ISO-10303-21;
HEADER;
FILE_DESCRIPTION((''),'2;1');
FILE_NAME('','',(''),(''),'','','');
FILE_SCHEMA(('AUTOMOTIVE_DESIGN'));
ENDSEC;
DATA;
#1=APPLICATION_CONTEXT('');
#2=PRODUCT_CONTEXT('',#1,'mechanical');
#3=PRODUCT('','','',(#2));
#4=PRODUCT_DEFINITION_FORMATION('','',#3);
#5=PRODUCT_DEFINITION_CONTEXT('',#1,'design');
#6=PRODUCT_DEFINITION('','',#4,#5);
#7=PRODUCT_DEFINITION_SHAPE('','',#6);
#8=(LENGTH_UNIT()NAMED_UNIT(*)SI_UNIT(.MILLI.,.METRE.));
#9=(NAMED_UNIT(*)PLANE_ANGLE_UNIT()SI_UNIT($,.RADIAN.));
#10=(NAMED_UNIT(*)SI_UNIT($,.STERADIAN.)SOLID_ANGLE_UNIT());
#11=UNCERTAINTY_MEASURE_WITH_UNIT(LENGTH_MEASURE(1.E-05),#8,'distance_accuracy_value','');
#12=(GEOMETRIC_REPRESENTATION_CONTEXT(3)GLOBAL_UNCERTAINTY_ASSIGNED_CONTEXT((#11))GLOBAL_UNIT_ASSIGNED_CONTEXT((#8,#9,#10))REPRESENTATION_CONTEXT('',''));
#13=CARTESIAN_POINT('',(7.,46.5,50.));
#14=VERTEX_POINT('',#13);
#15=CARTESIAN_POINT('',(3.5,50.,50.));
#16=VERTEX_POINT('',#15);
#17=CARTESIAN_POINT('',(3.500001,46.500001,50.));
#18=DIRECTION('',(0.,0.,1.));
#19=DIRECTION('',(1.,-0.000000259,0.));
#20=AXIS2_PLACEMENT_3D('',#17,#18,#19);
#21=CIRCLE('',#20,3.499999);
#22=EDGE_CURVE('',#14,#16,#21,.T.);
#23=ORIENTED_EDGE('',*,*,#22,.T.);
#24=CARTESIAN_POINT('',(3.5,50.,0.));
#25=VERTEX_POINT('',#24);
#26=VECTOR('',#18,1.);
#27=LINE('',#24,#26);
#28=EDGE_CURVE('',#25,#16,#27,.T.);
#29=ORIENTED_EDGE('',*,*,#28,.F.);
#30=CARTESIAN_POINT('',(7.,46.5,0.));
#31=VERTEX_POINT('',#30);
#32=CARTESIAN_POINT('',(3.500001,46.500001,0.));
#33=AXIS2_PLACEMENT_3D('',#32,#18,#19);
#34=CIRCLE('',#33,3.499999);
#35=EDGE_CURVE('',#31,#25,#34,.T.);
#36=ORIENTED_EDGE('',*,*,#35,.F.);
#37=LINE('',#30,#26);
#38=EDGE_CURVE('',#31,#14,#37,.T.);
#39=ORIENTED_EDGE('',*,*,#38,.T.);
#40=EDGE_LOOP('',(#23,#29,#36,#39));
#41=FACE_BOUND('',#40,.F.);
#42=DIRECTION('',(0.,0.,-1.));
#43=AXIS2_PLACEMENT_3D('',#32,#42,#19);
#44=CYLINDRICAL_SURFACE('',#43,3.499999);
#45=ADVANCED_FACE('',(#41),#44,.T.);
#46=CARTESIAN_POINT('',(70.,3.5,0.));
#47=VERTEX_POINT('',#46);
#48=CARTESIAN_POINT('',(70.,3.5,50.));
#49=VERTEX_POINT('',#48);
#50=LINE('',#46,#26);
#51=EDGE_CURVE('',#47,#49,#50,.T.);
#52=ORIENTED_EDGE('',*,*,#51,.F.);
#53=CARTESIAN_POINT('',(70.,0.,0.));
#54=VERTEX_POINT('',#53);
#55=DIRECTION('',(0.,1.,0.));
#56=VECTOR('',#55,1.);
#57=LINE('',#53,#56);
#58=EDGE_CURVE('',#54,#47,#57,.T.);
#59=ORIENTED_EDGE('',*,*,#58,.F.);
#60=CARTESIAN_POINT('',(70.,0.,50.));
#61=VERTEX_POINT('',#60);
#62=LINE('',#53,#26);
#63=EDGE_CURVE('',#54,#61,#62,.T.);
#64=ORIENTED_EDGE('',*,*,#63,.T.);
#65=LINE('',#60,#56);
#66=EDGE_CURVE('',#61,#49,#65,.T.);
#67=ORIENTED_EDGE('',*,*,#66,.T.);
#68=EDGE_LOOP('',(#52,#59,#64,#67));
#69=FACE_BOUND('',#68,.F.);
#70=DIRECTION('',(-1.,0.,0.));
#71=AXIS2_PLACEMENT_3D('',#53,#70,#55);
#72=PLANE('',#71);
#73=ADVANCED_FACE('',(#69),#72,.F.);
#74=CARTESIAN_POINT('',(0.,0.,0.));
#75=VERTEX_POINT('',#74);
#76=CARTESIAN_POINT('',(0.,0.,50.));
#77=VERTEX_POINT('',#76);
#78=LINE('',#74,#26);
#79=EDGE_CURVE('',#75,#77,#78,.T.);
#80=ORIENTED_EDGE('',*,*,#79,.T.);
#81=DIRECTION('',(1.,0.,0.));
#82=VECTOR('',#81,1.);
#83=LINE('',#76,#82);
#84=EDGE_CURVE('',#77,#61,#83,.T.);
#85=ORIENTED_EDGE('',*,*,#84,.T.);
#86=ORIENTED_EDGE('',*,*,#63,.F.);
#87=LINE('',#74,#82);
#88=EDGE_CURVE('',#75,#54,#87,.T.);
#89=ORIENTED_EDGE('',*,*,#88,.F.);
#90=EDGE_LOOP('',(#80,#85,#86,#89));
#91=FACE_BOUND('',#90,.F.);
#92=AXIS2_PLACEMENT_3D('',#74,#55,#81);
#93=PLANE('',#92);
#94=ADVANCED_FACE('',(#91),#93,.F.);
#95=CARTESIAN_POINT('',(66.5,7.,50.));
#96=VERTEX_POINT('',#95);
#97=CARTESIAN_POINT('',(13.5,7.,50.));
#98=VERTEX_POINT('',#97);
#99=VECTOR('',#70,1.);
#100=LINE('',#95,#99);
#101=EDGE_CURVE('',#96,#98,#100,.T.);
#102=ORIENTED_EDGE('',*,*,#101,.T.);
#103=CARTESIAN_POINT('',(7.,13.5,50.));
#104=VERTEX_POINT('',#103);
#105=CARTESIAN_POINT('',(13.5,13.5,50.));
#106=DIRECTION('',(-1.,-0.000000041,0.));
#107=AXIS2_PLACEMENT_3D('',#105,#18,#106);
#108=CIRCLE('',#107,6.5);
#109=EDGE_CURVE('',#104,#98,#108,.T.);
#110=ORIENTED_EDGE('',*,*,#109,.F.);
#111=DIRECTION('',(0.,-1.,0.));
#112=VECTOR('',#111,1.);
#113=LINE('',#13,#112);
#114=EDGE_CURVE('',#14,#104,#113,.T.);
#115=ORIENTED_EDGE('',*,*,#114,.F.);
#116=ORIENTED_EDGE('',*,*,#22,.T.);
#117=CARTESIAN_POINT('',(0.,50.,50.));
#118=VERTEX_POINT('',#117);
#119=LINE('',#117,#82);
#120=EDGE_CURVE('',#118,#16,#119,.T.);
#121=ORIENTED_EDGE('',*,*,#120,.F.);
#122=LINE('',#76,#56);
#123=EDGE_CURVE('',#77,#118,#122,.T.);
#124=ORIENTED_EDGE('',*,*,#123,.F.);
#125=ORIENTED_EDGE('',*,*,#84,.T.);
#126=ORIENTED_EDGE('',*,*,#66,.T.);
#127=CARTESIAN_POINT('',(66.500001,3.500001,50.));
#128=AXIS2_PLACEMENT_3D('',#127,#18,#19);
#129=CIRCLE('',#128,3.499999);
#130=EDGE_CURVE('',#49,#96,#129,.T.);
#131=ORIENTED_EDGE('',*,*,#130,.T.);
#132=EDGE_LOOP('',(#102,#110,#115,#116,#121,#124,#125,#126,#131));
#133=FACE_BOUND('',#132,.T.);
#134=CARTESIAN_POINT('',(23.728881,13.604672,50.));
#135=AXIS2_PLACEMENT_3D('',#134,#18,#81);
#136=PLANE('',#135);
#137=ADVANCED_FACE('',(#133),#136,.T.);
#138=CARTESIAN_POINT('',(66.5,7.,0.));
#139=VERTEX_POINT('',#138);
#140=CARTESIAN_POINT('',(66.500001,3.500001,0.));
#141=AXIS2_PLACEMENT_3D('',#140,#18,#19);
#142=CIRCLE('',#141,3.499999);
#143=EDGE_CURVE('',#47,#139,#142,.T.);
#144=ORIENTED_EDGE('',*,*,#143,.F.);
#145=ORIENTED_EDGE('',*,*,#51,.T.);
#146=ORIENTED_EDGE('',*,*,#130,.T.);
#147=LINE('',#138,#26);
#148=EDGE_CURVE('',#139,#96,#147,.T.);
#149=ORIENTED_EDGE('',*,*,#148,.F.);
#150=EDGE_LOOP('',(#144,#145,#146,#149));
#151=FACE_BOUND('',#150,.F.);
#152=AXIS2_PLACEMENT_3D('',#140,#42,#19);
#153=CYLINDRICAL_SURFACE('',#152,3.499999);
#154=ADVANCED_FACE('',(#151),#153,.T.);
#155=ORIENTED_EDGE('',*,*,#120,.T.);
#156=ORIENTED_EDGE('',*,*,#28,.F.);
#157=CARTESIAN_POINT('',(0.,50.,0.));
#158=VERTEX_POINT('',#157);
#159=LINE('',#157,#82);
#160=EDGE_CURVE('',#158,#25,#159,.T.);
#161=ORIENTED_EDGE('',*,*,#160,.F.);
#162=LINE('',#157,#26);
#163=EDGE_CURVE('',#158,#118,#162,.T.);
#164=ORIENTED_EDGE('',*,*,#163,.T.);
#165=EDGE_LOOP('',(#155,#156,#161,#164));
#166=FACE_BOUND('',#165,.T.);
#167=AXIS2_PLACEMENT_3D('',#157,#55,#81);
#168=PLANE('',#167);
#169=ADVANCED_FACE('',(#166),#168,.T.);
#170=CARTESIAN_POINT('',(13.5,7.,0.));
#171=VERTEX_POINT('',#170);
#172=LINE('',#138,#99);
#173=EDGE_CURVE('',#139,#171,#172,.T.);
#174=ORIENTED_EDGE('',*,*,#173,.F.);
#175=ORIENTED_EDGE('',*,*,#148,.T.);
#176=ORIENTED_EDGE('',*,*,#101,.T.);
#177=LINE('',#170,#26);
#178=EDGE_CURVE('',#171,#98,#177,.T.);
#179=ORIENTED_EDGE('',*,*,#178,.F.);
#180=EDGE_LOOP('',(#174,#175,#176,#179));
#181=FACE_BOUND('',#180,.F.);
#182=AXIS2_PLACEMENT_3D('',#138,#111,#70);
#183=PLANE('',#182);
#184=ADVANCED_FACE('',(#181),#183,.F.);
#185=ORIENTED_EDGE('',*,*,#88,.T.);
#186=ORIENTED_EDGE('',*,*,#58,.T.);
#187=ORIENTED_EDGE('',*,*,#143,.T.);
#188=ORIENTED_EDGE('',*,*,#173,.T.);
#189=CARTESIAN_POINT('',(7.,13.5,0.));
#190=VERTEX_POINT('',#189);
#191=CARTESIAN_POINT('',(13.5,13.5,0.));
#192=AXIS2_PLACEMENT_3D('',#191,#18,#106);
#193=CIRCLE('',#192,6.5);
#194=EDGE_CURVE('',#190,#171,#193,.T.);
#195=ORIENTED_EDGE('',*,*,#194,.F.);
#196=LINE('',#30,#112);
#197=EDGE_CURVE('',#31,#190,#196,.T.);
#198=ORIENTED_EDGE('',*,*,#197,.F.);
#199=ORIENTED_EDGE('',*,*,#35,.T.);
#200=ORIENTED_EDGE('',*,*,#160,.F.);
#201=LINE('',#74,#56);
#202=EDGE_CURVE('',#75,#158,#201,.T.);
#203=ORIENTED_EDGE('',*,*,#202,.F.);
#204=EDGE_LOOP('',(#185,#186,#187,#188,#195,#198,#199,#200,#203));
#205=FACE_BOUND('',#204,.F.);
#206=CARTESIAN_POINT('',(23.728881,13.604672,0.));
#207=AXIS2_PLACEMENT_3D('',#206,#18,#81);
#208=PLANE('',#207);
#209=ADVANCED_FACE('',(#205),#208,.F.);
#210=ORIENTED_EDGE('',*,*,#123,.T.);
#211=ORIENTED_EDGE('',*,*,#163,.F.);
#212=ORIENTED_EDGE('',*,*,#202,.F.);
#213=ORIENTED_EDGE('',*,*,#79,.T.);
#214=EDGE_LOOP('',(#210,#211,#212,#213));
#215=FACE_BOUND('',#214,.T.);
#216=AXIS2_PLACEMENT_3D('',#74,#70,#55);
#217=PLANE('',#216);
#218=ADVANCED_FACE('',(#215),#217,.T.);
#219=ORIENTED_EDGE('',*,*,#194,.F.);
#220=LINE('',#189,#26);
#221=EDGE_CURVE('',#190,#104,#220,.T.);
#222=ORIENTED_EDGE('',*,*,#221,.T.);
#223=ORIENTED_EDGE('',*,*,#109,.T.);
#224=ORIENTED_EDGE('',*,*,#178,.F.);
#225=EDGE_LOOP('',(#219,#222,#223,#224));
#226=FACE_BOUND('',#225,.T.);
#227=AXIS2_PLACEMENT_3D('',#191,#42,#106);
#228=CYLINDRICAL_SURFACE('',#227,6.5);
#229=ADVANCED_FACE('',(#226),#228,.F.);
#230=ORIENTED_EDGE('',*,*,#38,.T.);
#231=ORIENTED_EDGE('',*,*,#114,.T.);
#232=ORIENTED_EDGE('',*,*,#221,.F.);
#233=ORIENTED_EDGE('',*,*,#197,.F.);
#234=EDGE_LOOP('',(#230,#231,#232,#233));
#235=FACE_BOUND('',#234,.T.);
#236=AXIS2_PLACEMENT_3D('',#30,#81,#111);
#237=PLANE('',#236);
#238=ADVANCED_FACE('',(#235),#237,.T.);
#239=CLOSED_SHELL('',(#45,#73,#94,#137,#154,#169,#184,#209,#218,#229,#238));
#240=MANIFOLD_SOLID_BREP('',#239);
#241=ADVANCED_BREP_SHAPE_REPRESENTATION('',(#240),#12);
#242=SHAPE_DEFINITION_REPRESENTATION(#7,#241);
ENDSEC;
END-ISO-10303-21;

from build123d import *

# Parameters (mm, degrees)
EXTRUDE_DEPTH = 50


with BuildPart() as part:
    # Sketch → Extrude (new body)
    with BuildSketch(Plane.XY):
        with BuildLine():
            Line((0, 0), (70, 0))
            Line((70, 0), (70, 3.5))
            ThreePointArc((70, 3.5), (68.974874, 5.974874), (66.5, 7))
            Line((66.5, 7), (13.5, 7))
            ThreePointArc((7, 13.5), (8.903806, 8.903806), (13.5, 7))
            Line((7, 46.5), (7, 13.5))
            ThreePointArc((7, 46.5), (5.974874, 48.974874), (3.5, 50))
            Line((0, 50), (3.5, 50))
            Line((0, 0), (0, 50))
        make_face()
    extrude(amount=EXTRUDE_DEPTH)


solid = part.part
